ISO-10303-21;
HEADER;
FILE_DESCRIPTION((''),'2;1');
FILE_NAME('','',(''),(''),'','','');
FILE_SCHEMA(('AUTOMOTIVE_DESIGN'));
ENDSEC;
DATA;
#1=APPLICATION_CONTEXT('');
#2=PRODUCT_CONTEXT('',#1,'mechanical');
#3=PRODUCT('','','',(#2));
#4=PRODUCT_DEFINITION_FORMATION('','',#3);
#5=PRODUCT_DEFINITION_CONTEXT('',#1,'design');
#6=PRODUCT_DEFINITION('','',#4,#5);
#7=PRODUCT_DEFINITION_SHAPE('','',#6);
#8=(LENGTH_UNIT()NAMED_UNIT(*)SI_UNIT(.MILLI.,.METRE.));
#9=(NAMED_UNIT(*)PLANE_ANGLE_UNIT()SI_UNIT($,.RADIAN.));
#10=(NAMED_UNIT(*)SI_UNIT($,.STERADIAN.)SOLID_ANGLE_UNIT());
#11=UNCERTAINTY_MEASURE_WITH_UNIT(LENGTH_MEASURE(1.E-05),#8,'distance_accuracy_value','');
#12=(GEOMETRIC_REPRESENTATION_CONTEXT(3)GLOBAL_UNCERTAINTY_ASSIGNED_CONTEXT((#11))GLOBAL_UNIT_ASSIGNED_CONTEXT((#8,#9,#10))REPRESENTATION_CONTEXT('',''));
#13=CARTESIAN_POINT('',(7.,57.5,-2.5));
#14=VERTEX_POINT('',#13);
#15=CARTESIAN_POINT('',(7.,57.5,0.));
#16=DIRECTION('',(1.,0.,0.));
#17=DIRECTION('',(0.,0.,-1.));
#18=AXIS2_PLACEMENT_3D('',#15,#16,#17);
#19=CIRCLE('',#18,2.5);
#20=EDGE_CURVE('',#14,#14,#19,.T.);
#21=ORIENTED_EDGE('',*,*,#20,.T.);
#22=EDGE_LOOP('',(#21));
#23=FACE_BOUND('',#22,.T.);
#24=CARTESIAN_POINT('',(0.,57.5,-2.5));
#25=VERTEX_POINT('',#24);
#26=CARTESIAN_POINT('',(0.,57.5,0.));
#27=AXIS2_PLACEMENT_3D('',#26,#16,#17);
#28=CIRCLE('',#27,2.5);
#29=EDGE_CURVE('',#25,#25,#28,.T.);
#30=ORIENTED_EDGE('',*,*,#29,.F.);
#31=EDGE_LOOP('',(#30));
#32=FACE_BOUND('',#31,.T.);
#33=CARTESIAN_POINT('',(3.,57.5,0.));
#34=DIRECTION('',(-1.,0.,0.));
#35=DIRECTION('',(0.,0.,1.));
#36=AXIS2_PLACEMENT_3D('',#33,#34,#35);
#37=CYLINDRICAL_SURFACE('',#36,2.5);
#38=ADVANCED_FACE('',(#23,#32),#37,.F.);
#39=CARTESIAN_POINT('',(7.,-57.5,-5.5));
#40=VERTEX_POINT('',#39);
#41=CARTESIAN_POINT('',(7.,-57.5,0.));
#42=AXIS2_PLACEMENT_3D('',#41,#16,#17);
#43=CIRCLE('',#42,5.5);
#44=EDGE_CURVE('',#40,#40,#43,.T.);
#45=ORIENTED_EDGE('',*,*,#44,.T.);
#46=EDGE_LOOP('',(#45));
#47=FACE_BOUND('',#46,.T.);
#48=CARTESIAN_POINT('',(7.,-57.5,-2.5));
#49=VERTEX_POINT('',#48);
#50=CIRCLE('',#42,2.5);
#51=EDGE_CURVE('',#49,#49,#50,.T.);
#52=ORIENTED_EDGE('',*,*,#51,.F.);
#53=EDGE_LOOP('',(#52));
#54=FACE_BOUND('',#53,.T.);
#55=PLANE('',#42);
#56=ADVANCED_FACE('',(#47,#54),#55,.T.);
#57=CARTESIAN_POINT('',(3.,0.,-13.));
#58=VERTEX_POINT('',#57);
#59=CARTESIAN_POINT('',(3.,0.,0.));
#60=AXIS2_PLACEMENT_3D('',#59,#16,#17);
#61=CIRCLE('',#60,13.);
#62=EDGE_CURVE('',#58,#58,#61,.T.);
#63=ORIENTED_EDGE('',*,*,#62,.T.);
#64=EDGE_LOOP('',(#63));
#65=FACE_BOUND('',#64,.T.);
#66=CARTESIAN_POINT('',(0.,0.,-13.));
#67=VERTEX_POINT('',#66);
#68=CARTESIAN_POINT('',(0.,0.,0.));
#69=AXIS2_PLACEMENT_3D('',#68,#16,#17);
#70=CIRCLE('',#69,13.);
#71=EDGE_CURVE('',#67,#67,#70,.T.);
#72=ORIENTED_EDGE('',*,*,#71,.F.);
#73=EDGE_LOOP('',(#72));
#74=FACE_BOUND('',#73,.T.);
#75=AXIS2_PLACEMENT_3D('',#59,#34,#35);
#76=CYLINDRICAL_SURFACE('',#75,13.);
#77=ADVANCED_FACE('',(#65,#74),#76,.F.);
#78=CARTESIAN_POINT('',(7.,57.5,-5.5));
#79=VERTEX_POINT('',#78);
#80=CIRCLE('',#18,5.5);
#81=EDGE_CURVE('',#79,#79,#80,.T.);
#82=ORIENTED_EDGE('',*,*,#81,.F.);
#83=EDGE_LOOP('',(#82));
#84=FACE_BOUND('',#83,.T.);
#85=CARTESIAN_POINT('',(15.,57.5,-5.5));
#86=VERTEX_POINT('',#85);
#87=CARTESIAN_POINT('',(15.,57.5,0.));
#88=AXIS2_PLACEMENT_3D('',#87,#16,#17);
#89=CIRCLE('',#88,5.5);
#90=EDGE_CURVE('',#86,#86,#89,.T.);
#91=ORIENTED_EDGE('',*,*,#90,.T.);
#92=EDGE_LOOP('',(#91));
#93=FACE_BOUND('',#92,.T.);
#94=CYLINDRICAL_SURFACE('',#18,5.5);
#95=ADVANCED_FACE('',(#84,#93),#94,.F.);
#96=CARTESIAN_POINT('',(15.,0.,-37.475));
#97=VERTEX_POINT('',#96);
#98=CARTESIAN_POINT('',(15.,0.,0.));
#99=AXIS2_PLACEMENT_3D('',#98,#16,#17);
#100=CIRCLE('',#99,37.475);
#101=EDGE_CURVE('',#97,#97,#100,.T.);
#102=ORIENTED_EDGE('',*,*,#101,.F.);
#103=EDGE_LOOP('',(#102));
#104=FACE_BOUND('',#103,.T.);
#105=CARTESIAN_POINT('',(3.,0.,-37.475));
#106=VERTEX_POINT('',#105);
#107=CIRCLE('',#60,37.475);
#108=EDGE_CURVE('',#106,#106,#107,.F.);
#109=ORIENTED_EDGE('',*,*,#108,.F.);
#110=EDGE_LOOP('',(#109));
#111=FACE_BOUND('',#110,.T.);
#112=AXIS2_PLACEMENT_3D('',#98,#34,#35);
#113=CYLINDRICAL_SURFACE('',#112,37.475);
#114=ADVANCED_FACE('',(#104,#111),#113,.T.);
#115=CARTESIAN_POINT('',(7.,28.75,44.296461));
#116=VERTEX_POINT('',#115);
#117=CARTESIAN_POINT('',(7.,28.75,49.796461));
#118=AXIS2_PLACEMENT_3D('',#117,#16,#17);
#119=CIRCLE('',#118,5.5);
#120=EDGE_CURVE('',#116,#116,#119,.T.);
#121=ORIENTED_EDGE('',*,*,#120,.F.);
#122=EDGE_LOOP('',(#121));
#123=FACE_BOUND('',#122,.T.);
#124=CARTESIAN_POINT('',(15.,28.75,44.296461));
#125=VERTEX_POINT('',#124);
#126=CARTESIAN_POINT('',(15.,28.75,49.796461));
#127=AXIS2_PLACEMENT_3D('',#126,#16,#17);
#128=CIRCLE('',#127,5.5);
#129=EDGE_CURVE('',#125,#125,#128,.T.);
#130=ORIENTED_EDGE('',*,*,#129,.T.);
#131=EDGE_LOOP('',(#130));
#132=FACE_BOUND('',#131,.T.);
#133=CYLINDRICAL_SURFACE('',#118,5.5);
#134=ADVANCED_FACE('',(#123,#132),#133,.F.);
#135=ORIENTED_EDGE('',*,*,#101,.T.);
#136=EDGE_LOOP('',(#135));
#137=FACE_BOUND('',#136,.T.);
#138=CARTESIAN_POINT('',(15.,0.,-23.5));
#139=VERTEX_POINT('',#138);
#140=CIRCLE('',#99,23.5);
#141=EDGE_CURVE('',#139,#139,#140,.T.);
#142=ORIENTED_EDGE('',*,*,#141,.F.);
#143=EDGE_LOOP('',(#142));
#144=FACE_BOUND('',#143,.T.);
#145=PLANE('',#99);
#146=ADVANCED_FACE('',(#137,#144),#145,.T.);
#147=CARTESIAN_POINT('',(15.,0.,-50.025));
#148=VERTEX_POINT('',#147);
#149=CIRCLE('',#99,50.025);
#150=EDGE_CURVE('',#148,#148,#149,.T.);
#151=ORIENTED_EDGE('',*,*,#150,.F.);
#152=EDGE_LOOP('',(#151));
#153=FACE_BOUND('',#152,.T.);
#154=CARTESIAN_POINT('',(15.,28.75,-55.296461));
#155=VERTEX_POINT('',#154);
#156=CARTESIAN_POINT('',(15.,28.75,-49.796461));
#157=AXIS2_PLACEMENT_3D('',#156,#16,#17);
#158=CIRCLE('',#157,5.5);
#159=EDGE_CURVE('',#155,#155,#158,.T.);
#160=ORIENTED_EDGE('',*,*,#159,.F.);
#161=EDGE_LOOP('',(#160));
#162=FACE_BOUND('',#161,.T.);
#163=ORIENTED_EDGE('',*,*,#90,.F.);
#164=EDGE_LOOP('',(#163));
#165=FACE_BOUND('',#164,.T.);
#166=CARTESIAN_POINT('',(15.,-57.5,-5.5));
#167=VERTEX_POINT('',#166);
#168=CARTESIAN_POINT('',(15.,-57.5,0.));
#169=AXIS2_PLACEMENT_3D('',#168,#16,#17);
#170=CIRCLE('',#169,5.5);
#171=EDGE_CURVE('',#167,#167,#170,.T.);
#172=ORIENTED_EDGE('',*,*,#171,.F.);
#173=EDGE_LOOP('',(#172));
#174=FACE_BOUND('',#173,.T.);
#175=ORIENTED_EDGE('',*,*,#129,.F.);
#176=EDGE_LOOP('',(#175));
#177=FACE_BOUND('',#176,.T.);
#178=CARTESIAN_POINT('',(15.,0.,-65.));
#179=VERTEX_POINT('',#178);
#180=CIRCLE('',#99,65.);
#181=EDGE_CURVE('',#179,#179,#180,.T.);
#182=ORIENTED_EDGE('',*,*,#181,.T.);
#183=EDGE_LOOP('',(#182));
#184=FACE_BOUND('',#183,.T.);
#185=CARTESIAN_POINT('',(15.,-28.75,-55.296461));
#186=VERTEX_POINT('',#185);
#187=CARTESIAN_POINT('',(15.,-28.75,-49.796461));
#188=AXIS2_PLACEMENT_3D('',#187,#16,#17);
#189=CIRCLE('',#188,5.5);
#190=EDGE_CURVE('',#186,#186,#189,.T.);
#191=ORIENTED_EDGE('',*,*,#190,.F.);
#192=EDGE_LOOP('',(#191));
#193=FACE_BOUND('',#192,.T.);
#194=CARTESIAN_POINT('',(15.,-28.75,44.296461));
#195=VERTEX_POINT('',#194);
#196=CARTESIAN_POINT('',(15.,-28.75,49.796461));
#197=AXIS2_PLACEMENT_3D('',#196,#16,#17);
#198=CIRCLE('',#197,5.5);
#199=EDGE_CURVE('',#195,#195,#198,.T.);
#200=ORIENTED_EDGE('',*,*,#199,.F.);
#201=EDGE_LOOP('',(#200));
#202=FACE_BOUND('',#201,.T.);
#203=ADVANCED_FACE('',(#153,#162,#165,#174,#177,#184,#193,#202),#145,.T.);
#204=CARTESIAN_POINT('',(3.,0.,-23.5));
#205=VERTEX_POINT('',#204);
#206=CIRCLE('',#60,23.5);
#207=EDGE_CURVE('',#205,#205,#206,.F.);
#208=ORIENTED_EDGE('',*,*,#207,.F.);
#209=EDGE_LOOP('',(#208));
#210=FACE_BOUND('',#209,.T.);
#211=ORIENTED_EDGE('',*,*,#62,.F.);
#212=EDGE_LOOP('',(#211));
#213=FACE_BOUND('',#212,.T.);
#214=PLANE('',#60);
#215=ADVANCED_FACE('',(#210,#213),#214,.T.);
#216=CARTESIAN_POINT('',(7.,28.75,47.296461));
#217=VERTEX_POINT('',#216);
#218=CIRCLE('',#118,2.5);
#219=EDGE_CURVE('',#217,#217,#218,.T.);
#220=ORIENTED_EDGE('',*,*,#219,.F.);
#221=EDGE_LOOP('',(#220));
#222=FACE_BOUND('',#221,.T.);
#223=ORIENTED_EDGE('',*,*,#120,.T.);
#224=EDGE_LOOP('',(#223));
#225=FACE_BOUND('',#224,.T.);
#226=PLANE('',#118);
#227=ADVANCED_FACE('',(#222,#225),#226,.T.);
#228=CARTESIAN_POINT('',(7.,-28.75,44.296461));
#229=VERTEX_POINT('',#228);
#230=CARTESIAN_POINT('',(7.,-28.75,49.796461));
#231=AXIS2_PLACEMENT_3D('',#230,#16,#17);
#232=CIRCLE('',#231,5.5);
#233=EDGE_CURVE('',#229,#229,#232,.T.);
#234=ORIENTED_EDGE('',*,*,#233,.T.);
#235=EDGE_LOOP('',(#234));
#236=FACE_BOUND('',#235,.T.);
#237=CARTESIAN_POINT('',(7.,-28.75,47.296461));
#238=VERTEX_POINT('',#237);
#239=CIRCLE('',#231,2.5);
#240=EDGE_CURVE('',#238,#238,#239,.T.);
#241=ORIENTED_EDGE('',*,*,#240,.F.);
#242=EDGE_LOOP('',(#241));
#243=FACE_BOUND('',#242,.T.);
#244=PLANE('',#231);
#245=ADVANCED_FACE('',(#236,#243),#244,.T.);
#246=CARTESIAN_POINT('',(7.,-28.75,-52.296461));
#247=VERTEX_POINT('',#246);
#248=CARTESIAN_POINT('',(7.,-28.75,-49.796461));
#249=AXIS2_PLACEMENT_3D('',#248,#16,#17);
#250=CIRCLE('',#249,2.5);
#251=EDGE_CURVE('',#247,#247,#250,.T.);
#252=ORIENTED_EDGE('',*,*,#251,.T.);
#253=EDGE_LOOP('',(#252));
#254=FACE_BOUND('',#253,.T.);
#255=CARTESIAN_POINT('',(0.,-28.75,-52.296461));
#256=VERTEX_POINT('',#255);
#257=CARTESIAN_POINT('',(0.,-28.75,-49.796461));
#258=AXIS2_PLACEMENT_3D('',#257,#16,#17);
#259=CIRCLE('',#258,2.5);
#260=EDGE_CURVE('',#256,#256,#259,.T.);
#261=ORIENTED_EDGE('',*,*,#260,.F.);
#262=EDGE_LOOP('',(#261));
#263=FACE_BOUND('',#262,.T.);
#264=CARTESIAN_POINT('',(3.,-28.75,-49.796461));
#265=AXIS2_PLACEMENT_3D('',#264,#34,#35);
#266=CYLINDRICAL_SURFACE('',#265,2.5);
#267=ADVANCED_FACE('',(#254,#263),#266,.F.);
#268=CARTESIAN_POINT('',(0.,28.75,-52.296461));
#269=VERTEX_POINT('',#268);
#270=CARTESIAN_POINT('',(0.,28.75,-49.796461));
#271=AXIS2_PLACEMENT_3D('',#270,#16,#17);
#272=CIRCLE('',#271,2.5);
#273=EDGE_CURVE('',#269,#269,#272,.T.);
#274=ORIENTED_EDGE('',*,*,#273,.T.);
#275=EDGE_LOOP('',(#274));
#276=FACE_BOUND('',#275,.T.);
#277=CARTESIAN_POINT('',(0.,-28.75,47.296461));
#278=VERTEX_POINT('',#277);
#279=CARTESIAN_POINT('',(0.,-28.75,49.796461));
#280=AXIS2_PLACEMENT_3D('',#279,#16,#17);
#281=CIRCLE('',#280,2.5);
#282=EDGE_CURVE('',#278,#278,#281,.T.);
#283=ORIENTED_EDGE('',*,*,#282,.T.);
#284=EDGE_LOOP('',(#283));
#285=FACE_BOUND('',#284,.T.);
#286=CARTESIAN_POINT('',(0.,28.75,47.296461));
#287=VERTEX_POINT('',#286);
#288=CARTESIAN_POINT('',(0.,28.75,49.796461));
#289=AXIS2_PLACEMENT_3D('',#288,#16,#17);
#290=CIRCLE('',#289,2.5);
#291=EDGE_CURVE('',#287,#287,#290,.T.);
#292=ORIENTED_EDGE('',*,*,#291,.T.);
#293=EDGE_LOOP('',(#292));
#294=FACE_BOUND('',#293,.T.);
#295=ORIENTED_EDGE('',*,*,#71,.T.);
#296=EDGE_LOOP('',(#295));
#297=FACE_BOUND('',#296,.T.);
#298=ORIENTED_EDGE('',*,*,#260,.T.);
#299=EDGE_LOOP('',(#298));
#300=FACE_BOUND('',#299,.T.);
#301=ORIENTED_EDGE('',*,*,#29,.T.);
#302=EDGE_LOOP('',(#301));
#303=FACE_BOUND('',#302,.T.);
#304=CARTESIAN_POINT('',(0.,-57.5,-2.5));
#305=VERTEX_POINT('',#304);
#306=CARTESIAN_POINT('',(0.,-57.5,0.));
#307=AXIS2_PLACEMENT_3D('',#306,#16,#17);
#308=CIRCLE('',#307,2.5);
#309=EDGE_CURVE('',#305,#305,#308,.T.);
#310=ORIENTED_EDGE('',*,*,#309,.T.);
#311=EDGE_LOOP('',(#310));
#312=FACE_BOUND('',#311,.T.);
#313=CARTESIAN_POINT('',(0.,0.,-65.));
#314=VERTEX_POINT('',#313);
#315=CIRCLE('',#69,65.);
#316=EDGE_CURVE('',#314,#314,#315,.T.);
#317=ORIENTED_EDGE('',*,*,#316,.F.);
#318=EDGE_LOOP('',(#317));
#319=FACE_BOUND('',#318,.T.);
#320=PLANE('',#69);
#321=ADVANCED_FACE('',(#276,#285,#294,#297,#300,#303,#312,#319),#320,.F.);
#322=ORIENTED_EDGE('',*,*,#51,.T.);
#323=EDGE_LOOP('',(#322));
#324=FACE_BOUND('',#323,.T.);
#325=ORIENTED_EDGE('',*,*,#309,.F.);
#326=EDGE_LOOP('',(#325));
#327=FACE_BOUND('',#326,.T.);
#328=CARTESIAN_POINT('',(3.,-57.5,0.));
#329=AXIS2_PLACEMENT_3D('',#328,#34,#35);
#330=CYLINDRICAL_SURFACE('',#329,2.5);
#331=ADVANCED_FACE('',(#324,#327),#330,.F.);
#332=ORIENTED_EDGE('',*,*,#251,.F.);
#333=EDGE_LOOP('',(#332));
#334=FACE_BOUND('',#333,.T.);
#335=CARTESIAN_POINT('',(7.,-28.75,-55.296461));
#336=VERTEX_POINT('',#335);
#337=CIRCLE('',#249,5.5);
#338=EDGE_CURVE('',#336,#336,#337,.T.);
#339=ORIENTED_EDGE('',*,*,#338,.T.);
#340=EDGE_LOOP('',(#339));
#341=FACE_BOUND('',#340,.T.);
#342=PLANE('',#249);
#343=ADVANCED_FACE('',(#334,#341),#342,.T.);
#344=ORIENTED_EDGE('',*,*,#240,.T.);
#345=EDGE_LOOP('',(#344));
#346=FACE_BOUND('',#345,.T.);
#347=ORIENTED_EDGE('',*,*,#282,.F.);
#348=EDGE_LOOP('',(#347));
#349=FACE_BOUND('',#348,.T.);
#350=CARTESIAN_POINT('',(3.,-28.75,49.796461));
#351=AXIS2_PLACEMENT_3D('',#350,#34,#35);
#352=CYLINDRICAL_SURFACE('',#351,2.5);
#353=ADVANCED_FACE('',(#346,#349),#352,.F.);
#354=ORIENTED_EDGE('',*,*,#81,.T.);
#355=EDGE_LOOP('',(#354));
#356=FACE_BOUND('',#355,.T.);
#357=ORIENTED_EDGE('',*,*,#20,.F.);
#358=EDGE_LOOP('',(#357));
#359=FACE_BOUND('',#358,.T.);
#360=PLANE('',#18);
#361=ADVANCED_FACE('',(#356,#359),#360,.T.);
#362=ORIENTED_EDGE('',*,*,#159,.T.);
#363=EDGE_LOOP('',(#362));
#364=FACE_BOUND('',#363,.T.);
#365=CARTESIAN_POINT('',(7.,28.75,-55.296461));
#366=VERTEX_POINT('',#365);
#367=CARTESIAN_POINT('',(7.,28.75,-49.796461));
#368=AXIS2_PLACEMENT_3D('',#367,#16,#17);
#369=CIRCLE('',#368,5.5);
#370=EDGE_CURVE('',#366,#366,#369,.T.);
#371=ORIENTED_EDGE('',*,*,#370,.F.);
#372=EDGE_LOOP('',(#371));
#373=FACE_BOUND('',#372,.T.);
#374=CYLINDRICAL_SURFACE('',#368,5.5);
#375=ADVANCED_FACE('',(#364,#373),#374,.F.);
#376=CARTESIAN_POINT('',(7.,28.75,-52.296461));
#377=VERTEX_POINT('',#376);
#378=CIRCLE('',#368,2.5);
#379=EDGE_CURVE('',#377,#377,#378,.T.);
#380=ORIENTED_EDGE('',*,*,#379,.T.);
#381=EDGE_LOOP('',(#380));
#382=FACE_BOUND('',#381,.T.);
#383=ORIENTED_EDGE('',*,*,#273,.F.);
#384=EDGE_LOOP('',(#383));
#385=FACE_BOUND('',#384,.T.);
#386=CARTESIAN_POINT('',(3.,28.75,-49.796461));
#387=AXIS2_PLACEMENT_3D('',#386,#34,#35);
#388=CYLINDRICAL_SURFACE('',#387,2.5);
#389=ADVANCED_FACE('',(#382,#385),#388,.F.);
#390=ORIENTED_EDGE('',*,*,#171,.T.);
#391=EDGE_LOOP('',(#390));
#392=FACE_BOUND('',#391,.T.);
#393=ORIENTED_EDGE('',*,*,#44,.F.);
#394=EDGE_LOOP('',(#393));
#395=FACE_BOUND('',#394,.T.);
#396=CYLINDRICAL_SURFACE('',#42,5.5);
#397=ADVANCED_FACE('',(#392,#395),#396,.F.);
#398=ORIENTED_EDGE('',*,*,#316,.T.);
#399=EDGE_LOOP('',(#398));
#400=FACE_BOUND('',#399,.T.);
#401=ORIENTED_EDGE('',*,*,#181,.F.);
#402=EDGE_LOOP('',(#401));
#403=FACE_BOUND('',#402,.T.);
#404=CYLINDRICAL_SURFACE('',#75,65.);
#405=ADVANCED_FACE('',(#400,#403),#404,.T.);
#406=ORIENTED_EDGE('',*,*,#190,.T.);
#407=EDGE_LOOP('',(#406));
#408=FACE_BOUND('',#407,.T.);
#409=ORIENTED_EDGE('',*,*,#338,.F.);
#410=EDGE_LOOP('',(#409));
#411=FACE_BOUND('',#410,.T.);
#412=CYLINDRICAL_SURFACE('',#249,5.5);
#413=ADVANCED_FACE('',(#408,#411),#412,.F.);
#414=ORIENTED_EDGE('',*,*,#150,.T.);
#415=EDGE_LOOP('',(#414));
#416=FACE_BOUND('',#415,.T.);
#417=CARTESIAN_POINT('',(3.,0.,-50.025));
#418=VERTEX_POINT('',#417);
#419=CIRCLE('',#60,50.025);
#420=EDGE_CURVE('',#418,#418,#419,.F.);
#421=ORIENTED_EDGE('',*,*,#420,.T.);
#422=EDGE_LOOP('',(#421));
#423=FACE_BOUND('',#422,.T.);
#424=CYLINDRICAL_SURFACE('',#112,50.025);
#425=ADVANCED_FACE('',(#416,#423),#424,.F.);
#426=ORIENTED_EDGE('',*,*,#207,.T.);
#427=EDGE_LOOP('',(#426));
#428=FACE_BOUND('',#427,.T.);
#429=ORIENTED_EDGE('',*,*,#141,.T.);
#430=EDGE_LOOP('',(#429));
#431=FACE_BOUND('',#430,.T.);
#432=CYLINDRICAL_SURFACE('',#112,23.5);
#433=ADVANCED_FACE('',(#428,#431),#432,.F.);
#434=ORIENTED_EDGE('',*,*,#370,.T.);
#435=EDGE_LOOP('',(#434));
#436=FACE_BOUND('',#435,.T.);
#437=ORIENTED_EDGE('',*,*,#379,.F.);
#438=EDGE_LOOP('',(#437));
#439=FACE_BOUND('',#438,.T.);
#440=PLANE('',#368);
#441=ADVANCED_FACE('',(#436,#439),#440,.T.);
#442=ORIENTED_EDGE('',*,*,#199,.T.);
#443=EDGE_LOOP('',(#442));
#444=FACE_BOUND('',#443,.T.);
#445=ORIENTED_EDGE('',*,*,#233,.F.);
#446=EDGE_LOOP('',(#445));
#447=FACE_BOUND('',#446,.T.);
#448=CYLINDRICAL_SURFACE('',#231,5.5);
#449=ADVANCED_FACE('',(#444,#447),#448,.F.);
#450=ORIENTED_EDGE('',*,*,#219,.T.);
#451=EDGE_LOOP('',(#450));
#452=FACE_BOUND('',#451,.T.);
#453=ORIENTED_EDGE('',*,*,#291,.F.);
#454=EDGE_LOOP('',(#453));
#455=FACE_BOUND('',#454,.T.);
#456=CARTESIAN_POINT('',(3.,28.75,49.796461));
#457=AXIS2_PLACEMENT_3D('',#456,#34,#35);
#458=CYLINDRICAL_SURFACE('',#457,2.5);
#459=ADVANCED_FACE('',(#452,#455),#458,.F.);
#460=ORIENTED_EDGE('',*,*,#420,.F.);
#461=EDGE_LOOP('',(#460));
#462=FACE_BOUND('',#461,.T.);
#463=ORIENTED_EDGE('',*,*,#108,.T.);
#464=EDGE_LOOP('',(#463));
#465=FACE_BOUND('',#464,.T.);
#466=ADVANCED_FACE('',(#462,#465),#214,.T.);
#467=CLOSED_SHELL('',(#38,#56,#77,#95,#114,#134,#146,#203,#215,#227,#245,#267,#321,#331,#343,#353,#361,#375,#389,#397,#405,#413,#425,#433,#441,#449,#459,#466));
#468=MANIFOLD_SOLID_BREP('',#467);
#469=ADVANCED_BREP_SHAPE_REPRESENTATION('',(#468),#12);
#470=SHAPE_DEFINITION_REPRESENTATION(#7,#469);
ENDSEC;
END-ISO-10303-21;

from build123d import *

# Parameters (mm, degrees)
SKETCH1_R                     = 65
SKETCH1_R_2                   = 13
SKETCH1_R_3                   = 2.5
LAYER_EXTRUDE_DEPTH           = 3
SKETCH1_3_R                   = 65
SKETCH1_3_R_2                 = 2.5
SKETCH1_3_R_3                 = 50.025
SKETCH1_3_R_4                 = 37.475
SKETCH1_3_R_5                 = 23.5
BEARING_SUPPORT_EXTRUDE_DEPTH = 15
SKETCH2_R                     = 5.5
CUT_EXTRUDE1_DEPTH            = 8


with BuildPart() as part:
    # Sketch1 → layer_extrude (new body)
    with BuildSketch(Plane(origin=(0, 0, 0), x_dir=(0, 0, -1), z_dir=(1, 0, 0))):
        Circle(SKETCH1_R)
        Circle(SKETCH1_R_2, mode=Mode.SUBTRACT)
        with Locations((-49.796460718, -28.75)):
            Circle(SKETCH1_R_3, mode=Mode.SUBTRACT)
        with Locations((0, -57.5)):
            Circle(SKETCH1_R_3, mode=Mode.SUBTRACT)
        with Locations((49.796460718, -28.75)):
            Circle(SKETCH1_R_3, mode=Mode.SUBTRACT)
        with Locations((-49.796460718, 28.75)):
            Circle(SKETCH1_R_3, mode=Mode.SUBTRACT)
        with Locations((0, 57.5)):
            Circle(SKETCH1_R_3, mode=Mode.SUBTRACT)
        with Locations((49.796460718, 28.75)):
            Circle(SKETCH1_R_3, mode=Mode.SUBTRACT)
    extrude(amount=LAYER_EXTRUDE_DEPTH)

    # Sketch1<3> → bearing_support_extrude (add)
    # profile 1 of 2: a face of its own
    with BuildSketch(Plane(origin=(0, 0, 0), x_dir=(0, 0, -1), z_dir=(1, 0, 0))):
        Circle(SKETCH1_3_R)
        with Locations((-49.796460718, -28.75)):
            Circle(SKETCH1_3_R_2, mode=Mode.SUBTRACT)
        with Locations((0, -57.5)):
            Circle(SKETCH1_3_R_2, mode=Mode.SUBTRACT)
        with Locations((49.796460718, -28.75)):
            Circle(SKETCH1_3_R_2, mode=Mode.SUBTRACT)
        with Locations((-49.796460718, 28.75)):
            Circle(SKETCH1_3_R_2, mode=Mode.SUBTRACT)
        Circle(SKETCH1_3_R_3, mode=Mode.SUBTRACT)
        with Locations((49.796460718, 28.75)):
            Circle(SKETCH1_3_R_2, mode=Mode.SUBTRACT)
        with Locations((0, 57.5)):
            Circle(SKETCH1_3_R_2, mode=Mode.SUBTRACT)
    # profile 2 of 2: a face of its own
    with BuildSketch(Plane(origin=(0, 0, 0), x_dir=(0, 0, -1), z_dir=(1, 0, 0))):
        Circle(SKETCH1_3_R_4)
        Circle(SKETCH1_3_R_5, mode=Mode.SUBTRACT)
    extrude(amount=BEARING_SUPPORT_EXTRUDE_DEPTH)

    # Sketch2 → Cut-Extrude1 (cut)
    with BuildSketch(Plane(origin=(15, 0, 0), x_dir=(0, 0, -1), z_dir=(1, 0, 0))):
        with Locations((0, 57.5)):
            Circle(SKETCH2_R)
        with Locations((49.796460718, 28.75)):
            Circle(SKETCH2_R)
        with Locations((49.796460718, -28.75)):
            Circle(SKETCH2_R)
        with Locations((0, -57.5)):
            Circle(SKETCH2_R)
        with Locations((-49.796460718, -28.75)):
            Circle(SKETCH2_R)
        with Locations((-49.796460718, 28.75)):
            Circle(SKETCH2_R)
    extrude(amount=-CUT_EXTRUDE1_DEPTH, mode=Mode.SUBTRACT)


solid = part.part
